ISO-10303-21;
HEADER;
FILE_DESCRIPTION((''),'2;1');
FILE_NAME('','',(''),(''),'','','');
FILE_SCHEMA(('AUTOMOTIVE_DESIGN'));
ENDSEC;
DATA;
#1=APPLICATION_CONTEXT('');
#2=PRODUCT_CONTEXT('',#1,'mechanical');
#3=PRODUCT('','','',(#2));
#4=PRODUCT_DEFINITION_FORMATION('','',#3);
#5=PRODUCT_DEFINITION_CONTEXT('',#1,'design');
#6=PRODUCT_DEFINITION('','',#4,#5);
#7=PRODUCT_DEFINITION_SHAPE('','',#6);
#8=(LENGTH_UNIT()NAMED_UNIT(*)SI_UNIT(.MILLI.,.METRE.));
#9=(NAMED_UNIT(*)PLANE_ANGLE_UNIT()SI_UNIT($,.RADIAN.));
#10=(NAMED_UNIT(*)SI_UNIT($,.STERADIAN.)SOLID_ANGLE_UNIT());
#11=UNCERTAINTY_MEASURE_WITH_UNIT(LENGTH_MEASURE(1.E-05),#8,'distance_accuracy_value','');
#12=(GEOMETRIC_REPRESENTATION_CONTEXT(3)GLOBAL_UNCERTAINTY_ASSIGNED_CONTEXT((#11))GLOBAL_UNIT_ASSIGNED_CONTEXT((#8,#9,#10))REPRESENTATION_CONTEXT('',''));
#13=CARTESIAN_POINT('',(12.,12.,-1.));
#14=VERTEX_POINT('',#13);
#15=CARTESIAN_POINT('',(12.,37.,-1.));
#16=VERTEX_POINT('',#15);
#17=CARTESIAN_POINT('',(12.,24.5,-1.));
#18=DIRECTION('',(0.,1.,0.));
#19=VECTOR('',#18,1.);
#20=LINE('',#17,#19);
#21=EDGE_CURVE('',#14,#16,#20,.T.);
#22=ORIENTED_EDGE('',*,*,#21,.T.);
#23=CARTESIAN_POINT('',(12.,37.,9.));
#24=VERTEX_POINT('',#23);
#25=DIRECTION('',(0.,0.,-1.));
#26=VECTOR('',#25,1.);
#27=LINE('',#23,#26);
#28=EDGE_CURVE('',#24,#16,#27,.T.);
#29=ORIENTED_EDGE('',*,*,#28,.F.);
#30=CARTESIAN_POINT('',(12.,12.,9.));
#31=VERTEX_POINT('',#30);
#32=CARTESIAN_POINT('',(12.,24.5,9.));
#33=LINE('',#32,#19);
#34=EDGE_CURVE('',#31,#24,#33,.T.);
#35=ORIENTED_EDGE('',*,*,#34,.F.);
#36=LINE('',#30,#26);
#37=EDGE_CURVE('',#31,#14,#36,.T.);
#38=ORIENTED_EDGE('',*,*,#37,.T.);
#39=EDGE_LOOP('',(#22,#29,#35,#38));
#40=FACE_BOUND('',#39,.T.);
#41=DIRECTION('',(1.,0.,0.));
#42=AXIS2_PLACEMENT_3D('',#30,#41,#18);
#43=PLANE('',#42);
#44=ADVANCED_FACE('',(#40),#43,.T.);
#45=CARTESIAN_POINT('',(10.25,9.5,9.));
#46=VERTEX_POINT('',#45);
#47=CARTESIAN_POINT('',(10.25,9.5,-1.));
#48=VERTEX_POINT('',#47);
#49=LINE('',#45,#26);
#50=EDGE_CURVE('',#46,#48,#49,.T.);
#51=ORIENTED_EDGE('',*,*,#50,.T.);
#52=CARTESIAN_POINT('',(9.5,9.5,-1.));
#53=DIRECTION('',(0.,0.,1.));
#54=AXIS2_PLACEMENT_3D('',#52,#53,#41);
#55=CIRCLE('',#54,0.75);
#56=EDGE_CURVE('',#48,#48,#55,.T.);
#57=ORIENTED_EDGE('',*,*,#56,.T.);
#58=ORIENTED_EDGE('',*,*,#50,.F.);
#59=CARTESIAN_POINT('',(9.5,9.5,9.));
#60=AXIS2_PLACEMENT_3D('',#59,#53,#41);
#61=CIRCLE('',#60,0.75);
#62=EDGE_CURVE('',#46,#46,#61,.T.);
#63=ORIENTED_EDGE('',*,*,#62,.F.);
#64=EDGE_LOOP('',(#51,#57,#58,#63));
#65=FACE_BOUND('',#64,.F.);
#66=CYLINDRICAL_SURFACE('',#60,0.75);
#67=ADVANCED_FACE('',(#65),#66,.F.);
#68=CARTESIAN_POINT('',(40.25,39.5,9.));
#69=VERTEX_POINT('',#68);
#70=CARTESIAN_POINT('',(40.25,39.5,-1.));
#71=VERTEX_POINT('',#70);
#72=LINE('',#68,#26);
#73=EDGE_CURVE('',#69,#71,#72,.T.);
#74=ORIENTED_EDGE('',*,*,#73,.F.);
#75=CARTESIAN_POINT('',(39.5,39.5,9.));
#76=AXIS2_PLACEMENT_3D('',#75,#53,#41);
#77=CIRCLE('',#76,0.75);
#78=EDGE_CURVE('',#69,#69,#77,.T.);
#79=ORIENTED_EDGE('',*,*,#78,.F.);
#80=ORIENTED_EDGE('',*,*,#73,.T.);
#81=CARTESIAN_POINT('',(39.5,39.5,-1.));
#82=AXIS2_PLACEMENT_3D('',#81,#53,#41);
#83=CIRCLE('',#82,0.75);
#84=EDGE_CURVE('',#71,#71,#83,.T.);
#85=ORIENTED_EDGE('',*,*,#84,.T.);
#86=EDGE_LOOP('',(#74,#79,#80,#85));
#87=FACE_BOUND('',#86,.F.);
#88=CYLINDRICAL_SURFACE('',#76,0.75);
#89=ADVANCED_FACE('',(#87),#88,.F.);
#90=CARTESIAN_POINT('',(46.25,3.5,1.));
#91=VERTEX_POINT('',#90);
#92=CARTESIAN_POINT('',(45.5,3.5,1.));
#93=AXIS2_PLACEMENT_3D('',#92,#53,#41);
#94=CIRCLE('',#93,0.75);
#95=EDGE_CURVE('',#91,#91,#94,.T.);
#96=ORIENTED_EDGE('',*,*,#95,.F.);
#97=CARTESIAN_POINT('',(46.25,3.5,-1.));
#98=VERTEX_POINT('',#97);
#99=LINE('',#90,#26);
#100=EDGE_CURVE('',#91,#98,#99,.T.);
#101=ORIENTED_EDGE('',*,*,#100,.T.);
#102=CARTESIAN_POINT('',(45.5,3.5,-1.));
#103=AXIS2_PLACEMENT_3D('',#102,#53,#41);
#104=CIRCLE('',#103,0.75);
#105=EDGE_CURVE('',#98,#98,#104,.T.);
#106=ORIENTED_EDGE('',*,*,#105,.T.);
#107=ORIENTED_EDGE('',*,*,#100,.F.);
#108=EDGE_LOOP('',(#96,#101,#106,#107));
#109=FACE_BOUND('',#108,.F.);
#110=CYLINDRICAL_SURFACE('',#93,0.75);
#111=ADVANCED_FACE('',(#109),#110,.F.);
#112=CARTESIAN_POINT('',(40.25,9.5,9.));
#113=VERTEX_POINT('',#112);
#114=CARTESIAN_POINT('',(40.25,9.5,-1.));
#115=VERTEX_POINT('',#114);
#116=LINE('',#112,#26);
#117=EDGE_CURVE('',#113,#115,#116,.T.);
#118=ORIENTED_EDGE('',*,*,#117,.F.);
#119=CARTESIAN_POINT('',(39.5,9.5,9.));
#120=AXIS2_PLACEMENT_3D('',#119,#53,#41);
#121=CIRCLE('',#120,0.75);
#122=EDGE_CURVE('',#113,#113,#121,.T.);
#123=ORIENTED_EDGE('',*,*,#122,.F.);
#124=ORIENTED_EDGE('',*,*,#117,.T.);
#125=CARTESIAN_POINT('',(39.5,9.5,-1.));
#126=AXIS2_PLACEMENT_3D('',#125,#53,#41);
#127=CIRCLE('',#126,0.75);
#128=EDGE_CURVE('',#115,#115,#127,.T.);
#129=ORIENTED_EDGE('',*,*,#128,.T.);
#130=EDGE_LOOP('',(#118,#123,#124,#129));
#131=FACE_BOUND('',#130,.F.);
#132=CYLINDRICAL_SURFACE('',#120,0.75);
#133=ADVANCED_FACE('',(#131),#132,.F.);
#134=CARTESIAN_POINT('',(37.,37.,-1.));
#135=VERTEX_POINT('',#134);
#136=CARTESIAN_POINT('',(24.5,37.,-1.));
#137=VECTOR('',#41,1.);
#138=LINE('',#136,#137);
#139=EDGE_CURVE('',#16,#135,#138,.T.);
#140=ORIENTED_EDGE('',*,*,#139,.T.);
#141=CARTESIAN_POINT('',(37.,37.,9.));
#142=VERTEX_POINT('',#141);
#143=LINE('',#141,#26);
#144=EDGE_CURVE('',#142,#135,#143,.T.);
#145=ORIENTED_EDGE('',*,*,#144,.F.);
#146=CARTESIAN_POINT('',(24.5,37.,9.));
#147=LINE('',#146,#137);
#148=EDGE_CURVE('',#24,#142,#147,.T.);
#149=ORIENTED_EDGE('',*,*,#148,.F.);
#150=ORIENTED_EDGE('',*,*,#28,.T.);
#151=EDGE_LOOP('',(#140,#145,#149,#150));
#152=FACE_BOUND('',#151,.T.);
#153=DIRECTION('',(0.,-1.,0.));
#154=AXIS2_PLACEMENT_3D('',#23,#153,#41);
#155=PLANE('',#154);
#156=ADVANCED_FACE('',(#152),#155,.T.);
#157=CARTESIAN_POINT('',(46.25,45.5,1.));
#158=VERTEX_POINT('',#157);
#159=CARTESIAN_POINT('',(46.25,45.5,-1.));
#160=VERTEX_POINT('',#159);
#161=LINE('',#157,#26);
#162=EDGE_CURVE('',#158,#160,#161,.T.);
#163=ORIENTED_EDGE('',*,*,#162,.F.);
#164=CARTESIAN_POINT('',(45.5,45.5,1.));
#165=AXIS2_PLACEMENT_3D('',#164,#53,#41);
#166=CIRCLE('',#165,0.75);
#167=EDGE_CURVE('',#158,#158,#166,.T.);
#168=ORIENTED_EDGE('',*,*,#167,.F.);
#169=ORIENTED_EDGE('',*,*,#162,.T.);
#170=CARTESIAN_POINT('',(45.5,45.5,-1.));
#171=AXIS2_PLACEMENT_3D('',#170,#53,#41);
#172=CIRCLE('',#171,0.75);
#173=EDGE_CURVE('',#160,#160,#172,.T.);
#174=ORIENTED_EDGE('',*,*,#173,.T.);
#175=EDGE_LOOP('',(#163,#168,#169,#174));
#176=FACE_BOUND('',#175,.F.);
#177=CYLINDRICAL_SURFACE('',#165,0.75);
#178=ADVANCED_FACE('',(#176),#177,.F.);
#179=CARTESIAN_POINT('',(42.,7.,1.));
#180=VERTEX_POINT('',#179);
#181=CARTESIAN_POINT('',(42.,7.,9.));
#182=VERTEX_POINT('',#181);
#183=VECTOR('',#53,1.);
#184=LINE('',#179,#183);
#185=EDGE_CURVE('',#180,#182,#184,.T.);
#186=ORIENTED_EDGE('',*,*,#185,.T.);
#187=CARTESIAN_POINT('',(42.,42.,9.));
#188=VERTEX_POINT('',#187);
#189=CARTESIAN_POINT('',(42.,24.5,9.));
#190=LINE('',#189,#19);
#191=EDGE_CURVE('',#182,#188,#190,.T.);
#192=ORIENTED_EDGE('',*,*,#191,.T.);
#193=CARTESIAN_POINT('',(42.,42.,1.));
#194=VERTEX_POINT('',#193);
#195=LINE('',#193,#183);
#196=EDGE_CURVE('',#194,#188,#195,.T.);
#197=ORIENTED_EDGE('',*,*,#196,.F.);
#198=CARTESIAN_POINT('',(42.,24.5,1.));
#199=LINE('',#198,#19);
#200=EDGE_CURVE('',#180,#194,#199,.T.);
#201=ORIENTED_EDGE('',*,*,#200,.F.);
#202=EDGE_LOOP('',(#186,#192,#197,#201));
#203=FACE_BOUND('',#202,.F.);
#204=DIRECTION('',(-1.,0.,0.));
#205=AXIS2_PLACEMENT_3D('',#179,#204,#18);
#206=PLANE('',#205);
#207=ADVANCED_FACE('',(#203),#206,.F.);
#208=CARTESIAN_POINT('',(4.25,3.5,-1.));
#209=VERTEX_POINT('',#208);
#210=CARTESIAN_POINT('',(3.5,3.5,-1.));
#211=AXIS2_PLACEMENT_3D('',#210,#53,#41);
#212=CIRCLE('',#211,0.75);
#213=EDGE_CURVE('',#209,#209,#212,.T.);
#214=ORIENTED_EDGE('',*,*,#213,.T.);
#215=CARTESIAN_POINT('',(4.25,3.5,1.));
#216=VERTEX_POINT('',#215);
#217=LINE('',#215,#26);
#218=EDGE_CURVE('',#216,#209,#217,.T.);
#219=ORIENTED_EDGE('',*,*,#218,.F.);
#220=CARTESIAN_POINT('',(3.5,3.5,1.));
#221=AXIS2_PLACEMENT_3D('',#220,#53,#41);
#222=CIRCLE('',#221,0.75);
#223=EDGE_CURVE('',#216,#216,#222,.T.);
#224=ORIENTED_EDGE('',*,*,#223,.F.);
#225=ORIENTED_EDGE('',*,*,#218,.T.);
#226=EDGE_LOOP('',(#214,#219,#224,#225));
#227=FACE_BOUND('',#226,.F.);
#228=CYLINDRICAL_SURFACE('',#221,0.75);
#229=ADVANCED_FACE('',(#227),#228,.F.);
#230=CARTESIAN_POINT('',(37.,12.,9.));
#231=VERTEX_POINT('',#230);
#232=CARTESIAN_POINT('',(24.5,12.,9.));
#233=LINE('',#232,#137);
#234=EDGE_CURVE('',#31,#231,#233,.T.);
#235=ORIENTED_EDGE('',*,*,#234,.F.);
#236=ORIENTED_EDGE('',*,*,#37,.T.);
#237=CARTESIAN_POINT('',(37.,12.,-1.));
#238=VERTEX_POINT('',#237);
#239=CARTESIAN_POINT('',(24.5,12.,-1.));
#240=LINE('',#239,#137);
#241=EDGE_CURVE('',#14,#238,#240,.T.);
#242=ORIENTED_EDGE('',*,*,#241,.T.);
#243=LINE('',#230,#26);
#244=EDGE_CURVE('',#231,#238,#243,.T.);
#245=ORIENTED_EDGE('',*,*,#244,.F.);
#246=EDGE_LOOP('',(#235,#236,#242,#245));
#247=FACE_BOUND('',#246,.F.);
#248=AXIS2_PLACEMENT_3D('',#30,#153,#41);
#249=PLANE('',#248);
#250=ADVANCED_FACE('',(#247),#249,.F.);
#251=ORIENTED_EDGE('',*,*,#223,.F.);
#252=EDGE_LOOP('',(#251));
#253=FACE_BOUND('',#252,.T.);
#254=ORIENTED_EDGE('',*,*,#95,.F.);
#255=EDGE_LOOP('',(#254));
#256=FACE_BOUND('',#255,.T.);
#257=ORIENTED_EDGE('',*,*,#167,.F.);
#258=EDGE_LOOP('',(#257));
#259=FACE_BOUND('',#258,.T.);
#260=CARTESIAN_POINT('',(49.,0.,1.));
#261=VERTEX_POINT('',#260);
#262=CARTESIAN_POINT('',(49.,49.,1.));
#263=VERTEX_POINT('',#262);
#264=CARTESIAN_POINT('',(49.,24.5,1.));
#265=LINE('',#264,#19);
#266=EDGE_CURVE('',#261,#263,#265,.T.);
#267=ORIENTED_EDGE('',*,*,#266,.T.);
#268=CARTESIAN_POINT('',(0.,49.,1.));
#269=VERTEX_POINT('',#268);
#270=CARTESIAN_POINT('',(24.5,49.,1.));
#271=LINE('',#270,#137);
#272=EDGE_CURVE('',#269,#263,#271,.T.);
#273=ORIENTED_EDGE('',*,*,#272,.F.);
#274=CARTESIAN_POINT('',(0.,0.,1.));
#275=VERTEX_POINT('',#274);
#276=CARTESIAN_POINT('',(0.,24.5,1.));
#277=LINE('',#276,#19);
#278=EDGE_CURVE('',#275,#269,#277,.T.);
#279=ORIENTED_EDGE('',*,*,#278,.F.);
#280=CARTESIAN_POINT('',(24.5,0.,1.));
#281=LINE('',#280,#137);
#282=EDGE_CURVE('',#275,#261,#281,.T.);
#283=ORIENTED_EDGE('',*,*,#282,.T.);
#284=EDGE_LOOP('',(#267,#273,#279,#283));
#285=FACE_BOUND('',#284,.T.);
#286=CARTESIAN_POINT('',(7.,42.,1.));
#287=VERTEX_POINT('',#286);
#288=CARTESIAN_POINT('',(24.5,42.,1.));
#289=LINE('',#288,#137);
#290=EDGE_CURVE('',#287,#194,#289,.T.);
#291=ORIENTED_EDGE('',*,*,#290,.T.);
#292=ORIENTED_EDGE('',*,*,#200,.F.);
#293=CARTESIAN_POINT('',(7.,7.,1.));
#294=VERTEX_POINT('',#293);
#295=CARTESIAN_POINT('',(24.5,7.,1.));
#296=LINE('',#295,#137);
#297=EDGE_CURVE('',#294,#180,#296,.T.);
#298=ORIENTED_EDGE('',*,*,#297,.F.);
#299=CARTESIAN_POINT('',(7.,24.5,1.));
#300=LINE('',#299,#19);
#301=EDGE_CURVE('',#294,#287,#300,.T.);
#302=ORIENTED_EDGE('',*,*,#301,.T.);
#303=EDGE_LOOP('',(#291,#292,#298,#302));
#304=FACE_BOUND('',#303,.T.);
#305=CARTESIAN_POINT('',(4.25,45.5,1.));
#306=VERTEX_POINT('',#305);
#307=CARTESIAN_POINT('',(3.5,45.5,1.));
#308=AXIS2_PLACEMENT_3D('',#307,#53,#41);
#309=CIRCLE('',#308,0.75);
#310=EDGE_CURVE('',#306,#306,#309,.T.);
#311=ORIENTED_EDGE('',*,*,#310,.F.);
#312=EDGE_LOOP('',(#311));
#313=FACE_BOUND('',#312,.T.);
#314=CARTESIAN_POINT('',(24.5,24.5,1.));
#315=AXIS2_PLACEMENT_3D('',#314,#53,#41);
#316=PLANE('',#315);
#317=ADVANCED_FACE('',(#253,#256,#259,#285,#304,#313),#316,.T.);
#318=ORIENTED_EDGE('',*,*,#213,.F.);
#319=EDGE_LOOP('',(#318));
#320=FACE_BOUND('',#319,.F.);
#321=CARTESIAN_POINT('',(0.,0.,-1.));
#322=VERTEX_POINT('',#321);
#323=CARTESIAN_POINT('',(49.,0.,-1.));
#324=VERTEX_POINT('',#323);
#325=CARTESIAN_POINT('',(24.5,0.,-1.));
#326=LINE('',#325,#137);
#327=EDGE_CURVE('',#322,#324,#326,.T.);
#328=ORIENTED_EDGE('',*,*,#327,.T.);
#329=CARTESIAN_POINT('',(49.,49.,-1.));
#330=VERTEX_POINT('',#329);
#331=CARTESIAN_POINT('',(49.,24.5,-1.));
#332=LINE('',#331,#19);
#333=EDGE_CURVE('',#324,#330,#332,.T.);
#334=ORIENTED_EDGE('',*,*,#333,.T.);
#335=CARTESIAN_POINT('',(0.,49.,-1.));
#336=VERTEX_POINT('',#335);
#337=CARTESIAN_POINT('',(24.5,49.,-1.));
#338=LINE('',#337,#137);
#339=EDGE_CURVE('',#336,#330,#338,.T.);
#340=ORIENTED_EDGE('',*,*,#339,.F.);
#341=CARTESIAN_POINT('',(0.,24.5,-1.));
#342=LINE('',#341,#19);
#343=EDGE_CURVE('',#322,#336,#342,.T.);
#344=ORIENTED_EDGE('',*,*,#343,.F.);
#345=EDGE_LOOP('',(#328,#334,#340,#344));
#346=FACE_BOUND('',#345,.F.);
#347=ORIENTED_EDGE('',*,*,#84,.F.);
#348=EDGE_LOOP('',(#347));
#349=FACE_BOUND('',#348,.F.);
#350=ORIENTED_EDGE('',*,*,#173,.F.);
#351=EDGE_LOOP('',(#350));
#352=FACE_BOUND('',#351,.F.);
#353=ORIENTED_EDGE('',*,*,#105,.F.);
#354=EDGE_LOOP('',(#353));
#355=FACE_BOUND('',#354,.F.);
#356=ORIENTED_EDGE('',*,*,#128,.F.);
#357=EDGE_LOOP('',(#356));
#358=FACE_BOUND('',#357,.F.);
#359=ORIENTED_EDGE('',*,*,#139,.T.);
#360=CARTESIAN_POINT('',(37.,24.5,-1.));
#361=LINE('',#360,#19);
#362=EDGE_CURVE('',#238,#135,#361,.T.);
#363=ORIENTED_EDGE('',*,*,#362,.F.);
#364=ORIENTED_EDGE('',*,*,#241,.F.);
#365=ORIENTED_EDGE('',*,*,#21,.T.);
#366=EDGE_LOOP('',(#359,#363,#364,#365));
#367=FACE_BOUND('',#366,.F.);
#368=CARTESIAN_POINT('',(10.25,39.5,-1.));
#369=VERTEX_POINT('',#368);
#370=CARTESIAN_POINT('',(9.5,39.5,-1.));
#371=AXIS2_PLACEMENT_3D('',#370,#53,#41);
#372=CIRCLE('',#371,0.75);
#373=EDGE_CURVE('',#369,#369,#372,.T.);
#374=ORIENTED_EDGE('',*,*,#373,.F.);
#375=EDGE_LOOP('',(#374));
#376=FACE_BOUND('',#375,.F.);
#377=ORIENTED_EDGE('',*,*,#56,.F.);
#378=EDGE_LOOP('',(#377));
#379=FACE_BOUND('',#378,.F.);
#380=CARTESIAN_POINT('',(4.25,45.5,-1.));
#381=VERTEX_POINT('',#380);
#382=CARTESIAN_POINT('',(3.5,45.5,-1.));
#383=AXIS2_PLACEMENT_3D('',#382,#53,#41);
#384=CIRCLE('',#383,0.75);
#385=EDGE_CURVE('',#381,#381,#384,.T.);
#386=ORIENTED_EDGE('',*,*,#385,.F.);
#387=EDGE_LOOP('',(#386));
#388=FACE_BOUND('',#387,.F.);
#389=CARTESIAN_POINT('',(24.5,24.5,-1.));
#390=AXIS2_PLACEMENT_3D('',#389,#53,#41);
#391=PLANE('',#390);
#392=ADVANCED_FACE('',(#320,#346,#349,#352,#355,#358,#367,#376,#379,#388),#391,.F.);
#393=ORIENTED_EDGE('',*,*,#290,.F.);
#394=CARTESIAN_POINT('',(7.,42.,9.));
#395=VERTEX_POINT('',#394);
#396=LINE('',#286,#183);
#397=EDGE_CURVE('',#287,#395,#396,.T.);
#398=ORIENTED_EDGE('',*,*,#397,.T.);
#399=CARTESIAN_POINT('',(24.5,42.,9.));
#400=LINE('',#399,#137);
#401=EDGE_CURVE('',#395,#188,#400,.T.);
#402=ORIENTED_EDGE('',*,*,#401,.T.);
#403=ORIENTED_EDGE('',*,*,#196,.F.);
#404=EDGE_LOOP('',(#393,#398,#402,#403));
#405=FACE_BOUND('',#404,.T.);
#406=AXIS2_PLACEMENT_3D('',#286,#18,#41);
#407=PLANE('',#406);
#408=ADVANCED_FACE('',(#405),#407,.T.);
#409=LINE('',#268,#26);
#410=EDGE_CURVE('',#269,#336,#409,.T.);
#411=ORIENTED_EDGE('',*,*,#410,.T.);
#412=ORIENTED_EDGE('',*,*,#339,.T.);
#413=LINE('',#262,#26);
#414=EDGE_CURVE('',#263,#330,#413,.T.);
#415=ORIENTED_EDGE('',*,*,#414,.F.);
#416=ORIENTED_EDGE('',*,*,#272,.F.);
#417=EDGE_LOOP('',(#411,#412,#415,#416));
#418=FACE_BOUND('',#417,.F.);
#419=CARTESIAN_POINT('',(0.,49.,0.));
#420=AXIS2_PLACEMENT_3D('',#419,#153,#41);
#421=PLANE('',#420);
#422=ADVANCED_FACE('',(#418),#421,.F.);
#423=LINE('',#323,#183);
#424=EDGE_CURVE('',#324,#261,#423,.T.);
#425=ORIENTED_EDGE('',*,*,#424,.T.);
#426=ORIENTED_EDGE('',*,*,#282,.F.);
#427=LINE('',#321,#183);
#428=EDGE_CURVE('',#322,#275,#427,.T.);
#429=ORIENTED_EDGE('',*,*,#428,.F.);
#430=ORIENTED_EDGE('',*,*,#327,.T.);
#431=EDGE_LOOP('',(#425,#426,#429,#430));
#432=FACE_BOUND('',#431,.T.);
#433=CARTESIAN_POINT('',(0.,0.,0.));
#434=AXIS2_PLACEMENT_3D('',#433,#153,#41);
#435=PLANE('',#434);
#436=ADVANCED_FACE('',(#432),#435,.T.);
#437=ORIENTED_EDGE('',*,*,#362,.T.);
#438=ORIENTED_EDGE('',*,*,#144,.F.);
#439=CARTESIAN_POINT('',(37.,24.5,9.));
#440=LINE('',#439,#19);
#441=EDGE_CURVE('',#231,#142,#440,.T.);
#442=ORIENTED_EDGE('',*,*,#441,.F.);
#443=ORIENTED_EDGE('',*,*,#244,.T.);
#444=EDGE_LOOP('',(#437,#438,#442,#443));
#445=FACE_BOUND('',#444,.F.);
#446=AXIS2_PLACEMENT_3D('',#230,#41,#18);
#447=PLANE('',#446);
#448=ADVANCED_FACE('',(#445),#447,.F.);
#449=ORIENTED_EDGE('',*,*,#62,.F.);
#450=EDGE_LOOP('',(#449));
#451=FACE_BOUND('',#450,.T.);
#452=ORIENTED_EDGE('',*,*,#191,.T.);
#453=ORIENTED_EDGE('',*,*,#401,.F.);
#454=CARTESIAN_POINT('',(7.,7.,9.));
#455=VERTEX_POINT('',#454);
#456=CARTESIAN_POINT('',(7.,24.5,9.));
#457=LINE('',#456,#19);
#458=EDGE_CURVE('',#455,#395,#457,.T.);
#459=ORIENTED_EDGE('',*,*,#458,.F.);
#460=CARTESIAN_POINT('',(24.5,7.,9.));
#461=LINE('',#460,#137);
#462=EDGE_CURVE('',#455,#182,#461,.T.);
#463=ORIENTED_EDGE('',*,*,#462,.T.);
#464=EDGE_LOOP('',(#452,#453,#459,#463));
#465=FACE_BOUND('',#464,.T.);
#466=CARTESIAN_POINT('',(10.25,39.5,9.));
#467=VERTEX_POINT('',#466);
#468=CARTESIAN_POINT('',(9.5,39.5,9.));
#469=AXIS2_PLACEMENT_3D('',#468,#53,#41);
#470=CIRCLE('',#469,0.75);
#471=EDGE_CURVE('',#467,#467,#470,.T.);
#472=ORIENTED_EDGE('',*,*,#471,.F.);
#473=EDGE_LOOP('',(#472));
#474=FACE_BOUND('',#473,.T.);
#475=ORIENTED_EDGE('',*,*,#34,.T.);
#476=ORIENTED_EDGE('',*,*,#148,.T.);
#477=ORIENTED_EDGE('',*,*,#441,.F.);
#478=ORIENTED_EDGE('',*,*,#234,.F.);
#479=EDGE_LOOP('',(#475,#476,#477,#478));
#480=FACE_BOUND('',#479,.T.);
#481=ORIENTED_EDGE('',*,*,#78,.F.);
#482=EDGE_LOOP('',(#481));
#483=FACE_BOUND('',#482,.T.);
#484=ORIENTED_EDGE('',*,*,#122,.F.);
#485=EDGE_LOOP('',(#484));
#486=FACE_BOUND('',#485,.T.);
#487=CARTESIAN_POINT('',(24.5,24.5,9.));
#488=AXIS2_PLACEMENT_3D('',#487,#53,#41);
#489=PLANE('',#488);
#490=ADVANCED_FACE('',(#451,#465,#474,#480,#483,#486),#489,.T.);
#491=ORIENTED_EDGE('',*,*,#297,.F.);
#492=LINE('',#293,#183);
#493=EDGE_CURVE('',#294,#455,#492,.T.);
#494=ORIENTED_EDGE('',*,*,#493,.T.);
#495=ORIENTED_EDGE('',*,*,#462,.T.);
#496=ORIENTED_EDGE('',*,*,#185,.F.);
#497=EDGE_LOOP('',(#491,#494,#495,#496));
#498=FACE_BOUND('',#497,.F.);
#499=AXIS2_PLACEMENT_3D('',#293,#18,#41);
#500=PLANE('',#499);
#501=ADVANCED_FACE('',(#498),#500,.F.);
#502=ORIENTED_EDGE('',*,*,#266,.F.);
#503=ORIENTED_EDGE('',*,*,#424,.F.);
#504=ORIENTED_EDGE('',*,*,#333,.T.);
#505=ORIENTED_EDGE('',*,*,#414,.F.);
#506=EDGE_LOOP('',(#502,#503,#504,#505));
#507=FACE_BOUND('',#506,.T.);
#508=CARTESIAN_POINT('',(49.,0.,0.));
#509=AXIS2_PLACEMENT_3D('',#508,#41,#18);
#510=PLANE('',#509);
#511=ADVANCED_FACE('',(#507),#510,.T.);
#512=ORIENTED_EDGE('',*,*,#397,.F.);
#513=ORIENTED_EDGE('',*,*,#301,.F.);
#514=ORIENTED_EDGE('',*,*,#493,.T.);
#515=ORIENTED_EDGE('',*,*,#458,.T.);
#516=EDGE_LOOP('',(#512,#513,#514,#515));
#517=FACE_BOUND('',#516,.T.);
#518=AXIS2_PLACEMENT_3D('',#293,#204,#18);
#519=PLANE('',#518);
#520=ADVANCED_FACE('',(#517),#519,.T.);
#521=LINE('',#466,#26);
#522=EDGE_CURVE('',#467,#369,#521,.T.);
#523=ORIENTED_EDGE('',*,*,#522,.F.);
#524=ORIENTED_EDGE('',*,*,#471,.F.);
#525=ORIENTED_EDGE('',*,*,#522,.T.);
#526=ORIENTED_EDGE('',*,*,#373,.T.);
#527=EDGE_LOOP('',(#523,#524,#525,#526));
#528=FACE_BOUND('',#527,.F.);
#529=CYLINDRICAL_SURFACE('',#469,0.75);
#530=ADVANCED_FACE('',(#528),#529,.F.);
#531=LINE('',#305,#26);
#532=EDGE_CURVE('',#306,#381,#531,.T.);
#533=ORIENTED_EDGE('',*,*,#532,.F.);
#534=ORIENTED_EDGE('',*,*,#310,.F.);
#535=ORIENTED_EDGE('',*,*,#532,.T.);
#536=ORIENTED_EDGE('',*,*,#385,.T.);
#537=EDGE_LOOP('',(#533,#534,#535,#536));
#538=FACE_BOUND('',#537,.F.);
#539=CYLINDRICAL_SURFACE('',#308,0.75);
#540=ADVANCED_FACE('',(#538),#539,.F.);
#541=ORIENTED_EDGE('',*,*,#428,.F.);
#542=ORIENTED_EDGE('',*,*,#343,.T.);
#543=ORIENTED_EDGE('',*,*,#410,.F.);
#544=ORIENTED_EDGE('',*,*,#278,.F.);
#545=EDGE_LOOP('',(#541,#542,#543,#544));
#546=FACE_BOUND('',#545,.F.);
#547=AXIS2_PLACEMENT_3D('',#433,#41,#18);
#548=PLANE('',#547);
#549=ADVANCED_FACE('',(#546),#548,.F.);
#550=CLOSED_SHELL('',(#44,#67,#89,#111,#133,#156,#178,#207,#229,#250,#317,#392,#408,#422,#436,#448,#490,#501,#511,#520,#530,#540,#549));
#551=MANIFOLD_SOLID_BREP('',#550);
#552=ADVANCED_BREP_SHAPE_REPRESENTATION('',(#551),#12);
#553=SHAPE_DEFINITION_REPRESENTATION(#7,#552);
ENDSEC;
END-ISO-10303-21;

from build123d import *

# Parameters (mm, degrees)
SKETCH001_W     = 49
SKETCH001_H     = 49
PAD_DEPTH       = 1
SKETCH002_W     = 35
SKETCH002_H     = 35
PAD001_DEPTH    = 8
SKETCH003_W     = 25
SKETCH003_H     = 25
POCKET_DEPTH    = 10
SKETCH004_R     = 0.75
POCKET001_DEPTH = 2
SKETCH005_R     = 0.75
POCKET002_DEPTH = 10


with BuildPart() as part:
    # Sketch001 → Pad (new body, symmetric)
    with BuildSketch(Plane.XY):
        with Locations((24.5, 24.5)):
            Rectangle(SKETCH001_W, SKETCH001_H)
    extrude(amount=PAD_DEPTH, both=True)

    # Sketch002 (on Face6 of Pad) → Pad001 (join)
    with BuildSketch(Plane.XY.offset(1)):
        with Locations((24.5, 24.5)):
            Rectangle(SKETCH002_W, SKETCH002_H)
    extrude(amount=PAD001_DEPTH)

    # Sketch003 (on Face11 of Pad001) → Pocket (cut)
    with BuildSketch(Plane.XY.offset(9)):
        with Locations((24.5, 24.5)):
            Rectangle(SKETCH003_W, SKETCH003_H)
    extrude(amount=-POCKET_DEPTH, mode=Mode.SUBTRACT)

    # Sketch004 (on Face5 of Pocket) → Pocket001 (cut)
    with BuildSketch(Plane.XY.offset(1)):
        with Locations((3.5, 3.5)):
            Circle(SKETCH004_R)
        with Locations((3.5, 45.5)):
            Circle(SKETCH004_R)
        with Locations((45.5, 3.5)):
            Circle(SKETCH004_R)
        with Locations((45.5, 45.5)):
            Circle(SKETCH004_R)
    extrude(amount=-POCKET001_DEPTH, mode=Mode.SUBTRACT)

    # Sketch005 (on Face19 of Pocket001) → Pocket002 (cut)
    with BuildSketch(Plane.XY.offset(9)):
        with Locations((9.5, 39.5)):
            Circle(SKETCH005_R)
        with Locations((39.5, 39.5)):
            Circle(SKETCH005_R)
        with Locations((39.5, 9.5)):
            Circle(SKETCH005_R)
        with Locations((9.5, 9.5)):
            Circle(SKETCH005_R)
    extrude(amount=-POCKET002_DEPTH, mode=Mode.SUBTRACT)


solid = part.part
